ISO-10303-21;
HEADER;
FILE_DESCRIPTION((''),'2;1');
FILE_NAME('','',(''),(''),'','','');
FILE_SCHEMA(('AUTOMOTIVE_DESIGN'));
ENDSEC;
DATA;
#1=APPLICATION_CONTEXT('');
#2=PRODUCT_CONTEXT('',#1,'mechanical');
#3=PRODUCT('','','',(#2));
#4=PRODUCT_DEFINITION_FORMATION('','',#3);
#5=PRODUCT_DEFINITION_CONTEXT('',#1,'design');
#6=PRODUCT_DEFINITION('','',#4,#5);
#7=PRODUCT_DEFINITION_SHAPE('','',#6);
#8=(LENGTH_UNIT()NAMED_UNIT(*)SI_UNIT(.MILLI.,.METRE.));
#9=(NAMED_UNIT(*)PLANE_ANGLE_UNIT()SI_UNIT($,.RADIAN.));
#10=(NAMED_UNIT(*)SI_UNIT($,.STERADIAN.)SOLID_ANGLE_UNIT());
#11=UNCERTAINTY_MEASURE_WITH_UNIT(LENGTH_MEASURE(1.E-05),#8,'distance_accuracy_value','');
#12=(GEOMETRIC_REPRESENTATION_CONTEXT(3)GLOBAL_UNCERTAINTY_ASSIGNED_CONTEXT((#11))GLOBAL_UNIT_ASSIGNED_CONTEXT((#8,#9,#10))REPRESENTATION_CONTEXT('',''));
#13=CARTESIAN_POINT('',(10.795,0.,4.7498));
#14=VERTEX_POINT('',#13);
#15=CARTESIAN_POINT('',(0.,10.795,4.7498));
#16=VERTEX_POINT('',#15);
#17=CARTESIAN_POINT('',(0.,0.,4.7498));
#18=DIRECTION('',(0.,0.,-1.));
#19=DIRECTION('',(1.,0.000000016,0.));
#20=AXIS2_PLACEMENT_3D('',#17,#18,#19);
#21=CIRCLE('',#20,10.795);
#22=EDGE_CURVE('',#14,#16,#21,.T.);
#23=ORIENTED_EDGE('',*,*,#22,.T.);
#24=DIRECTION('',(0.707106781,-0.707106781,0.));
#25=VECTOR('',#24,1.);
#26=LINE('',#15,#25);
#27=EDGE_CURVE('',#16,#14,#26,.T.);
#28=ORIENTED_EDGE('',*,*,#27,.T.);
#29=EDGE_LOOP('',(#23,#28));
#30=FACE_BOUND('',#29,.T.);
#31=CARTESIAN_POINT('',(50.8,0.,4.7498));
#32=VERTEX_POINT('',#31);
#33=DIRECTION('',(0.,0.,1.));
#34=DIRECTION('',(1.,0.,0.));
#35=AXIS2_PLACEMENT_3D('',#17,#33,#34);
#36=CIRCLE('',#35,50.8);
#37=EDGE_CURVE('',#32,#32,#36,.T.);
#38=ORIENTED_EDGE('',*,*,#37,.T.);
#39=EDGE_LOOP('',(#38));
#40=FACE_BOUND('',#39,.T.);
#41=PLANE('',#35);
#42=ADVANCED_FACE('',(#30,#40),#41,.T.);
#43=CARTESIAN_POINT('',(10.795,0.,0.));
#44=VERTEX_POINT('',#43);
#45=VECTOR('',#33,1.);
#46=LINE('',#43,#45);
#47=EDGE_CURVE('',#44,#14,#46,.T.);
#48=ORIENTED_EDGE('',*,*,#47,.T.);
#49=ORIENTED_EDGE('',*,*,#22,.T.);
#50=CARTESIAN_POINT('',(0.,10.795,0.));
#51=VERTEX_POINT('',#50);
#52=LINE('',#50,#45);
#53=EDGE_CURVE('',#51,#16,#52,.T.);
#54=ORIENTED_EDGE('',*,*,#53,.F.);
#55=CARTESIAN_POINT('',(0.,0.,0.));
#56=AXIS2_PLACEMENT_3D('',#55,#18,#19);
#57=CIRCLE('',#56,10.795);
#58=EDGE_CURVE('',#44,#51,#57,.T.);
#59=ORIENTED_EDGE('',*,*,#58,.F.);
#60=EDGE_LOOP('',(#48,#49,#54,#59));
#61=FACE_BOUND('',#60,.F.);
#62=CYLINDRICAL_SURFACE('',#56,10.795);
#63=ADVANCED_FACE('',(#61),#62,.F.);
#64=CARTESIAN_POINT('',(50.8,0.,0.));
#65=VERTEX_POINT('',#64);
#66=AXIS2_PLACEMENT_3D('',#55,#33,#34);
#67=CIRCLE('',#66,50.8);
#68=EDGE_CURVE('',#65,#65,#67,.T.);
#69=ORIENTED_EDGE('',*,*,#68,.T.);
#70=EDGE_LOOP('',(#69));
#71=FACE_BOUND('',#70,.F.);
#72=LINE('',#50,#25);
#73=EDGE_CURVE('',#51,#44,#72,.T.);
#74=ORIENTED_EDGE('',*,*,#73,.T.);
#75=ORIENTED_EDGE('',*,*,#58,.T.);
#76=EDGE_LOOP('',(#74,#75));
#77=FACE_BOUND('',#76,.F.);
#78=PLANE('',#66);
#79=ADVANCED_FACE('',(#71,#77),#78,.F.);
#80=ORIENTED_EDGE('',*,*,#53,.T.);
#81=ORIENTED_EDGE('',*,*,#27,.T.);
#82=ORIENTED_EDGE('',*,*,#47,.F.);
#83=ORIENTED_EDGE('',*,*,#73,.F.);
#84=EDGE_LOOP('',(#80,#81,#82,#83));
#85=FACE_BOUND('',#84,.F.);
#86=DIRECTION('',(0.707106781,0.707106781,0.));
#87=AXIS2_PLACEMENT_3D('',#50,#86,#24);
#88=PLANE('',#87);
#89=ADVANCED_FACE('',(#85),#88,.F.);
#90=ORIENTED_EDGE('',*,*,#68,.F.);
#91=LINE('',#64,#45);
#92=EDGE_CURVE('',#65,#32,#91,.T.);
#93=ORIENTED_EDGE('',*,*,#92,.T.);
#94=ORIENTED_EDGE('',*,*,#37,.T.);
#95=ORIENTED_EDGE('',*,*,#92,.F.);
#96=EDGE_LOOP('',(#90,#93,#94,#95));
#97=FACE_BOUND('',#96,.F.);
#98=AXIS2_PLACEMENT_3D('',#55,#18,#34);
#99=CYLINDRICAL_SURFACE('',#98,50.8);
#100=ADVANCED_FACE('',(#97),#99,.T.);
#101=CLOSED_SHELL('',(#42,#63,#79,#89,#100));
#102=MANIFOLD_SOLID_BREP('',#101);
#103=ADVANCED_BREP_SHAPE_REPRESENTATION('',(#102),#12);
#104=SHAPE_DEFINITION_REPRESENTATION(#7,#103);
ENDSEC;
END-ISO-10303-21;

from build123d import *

# Parameters (mm, degrees)
F0_R     = 50.8
F1_DEPTH = 4.7498


with BuildPart() as f1:
    # F0 (on Top) → F1 (new body)
    with BuildSketch(Plane.XY):
        Circle(F0_R)
        with BuildLine():
            ThreePointArc((10.795, 0), (-7.633218, -7.633218), (0, 10.795))
            Line((0, 10.795), (10.795, 0))
        make_face(mode=Mode.SUBTRACT)
    extrude(amount=F1_DEPTH)


solid = f1.part
